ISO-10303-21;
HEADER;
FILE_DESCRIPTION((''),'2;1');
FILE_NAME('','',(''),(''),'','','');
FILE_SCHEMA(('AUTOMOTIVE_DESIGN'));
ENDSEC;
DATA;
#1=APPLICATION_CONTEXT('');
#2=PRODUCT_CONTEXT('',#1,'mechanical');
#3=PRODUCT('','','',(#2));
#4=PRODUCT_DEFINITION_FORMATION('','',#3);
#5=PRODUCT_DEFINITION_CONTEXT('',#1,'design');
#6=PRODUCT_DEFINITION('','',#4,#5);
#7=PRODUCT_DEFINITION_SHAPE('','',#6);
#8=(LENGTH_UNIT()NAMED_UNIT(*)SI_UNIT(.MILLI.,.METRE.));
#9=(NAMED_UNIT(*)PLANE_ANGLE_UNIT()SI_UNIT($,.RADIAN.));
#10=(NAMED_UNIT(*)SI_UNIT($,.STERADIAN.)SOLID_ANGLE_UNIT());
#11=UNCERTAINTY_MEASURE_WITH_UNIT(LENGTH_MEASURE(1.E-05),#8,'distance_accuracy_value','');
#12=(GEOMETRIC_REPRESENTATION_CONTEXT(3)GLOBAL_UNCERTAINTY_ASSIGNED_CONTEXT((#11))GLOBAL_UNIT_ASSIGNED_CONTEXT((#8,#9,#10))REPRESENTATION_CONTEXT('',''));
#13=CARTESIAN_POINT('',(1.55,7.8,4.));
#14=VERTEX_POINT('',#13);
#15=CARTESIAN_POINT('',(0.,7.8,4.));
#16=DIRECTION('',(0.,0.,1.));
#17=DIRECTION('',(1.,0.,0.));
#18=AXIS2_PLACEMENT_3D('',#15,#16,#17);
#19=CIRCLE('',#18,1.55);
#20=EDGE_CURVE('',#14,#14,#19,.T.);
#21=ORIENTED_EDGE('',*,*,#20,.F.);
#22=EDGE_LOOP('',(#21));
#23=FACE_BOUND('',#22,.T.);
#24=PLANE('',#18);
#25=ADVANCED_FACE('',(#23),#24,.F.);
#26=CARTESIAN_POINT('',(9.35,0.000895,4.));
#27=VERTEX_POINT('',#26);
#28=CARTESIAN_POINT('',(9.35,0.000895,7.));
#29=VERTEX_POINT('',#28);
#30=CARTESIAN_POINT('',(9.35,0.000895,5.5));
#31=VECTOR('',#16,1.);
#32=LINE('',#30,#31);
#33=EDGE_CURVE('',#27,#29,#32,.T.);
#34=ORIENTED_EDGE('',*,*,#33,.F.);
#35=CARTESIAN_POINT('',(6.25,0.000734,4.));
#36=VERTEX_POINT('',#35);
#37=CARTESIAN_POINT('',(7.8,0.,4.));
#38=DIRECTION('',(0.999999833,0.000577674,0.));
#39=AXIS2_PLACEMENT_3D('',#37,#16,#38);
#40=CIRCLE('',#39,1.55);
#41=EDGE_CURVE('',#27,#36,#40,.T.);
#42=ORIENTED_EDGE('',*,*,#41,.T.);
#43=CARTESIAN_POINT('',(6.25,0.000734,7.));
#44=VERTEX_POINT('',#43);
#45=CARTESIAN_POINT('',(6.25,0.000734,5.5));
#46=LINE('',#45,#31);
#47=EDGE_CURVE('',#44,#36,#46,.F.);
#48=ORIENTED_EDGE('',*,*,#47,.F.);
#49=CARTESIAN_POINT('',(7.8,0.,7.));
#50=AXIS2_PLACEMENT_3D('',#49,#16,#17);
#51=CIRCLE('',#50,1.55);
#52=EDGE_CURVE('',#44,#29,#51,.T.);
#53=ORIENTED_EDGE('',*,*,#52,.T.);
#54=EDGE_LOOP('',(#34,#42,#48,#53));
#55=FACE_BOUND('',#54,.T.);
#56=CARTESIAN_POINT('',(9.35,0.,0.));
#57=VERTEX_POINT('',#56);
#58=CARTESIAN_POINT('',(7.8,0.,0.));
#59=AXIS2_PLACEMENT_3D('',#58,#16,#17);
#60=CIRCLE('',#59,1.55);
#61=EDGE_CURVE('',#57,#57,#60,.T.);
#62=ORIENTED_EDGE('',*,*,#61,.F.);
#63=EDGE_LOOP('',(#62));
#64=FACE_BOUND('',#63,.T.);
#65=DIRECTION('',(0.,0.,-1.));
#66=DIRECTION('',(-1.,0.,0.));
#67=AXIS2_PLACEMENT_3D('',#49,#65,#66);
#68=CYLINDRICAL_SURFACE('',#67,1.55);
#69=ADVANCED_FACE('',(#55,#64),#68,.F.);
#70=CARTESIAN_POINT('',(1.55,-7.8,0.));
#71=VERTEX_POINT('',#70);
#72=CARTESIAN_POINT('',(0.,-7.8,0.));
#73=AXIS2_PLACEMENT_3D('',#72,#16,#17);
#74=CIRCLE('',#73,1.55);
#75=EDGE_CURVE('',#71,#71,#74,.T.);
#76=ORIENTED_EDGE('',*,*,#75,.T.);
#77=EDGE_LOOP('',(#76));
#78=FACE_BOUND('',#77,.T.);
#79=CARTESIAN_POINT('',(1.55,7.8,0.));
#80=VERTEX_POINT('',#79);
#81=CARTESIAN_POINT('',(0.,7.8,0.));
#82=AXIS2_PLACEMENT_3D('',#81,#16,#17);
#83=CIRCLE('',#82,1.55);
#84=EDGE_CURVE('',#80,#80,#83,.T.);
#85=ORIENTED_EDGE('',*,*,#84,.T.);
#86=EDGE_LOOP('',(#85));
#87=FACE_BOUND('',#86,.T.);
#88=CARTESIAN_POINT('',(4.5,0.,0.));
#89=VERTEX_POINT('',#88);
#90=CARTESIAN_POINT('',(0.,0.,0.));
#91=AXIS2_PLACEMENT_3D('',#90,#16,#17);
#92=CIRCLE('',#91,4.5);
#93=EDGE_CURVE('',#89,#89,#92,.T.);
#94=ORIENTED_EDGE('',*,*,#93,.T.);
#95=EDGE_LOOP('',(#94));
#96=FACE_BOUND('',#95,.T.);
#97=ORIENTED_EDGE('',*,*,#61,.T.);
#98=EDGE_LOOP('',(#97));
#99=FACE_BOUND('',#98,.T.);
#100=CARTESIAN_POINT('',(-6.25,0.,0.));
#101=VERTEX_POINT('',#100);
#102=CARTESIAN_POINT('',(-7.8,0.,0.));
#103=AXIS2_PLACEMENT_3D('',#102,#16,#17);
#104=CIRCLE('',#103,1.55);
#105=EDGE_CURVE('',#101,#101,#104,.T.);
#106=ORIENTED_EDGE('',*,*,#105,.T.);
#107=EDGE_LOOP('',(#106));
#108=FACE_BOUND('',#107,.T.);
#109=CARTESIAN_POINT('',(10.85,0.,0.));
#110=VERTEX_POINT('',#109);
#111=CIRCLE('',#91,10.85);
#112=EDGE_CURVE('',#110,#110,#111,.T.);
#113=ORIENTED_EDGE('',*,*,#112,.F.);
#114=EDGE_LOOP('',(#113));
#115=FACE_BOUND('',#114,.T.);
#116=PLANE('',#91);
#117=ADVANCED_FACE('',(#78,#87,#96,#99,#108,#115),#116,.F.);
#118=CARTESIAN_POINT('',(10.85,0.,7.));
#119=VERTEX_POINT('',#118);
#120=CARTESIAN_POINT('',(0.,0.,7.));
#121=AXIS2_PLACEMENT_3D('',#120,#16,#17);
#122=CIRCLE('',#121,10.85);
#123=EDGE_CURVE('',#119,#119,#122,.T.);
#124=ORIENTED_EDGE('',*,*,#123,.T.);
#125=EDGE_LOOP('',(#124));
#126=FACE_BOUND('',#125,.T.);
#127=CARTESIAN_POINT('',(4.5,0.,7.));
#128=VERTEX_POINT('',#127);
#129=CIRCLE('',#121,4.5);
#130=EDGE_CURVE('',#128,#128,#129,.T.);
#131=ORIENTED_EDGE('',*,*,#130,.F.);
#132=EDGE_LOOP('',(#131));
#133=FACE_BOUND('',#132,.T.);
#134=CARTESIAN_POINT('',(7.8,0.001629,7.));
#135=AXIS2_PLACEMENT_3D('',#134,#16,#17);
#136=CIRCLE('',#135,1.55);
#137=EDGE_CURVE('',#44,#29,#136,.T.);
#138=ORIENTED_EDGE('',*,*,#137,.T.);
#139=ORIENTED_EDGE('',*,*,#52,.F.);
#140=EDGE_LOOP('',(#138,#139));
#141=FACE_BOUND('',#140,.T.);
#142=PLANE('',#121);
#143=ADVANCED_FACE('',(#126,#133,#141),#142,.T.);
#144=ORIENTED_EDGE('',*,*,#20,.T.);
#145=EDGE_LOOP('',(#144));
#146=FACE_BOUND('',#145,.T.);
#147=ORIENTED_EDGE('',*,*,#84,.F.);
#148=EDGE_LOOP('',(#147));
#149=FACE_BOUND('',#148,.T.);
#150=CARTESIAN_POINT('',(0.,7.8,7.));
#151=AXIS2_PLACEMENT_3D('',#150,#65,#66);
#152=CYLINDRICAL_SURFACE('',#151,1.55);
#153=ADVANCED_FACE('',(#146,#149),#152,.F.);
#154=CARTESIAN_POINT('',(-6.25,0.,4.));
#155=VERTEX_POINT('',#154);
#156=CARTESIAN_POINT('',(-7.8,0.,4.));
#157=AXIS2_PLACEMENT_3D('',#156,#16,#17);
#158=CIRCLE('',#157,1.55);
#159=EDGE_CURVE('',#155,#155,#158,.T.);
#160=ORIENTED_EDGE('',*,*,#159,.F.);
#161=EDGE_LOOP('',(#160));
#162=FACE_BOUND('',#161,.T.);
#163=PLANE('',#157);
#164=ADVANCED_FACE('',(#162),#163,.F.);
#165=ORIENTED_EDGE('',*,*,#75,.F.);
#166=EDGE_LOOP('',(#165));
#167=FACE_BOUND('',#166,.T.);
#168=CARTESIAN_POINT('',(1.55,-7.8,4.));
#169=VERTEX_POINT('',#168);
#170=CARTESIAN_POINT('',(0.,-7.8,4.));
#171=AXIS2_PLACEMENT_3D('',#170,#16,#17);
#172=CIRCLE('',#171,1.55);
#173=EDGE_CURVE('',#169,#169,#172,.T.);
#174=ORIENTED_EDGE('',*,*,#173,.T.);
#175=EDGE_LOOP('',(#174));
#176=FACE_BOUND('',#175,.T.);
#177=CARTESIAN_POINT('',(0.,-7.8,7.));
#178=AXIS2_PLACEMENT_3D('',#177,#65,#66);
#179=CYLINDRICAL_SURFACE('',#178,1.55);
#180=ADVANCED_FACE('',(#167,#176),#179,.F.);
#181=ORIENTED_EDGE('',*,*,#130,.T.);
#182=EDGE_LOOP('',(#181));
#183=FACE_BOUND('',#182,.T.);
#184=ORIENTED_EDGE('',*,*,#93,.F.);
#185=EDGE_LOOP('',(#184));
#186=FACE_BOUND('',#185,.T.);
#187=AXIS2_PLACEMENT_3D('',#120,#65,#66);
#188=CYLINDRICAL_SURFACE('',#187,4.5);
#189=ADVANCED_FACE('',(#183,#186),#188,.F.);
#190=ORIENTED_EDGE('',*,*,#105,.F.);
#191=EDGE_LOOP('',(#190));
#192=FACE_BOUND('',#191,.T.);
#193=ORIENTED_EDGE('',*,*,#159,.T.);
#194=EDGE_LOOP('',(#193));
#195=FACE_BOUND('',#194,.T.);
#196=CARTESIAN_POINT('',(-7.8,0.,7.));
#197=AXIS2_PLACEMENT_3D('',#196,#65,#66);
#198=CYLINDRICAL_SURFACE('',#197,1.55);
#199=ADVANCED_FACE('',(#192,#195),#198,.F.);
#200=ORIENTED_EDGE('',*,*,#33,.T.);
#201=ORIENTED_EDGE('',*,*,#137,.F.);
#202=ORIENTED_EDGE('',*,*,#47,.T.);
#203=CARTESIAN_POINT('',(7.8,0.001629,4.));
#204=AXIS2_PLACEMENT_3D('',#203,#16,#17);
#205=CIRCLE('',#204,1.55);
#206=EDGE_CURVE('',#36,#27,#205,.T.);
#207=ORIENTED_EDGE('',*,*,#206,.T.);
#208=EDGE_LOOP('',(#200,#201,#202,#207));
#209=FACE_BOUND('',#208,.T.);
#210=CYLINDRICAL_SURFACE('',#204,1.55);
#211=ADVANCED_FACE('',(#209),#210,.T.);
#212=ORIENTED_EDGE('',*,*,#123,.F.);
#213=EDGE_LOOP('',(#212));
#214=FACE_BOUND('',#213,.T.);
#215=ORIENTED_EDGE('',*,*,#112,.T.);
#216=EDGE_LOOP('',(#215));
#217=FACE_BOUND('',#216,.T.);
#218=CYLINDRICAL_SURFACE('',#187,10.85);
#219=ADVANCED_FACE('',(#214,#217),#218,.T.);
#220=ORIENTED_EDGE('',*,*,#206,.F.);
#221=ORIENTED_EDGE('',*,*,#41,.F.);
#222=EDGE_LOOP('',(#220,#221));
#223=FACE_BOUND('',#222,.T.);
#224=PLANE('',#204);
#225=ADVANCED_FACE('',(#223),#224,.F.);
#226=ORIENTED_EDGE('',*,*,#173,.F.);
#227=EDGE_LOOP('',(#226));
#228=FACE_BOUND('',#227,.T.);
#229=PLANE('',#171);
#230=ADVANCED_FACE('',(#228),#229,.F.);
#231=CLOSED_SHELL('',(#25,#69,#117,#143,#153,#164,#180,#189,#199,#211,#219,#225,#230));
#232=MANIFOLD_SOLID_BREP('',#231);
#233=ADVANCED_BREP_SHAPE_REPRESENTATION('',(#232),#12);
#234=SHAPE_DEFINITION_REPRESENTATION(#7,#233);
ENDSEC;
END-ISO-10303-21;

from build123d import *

# Parameters (mm, degrees)
SKETCH1_R           = 10.85
SKETCH1_R_2         = 4.5
SKETCH1_R_3         = 1.55
BOSS_EXTRUDE1_DEPTH = 7
SKETCH2_R           = 1.55
BOSS_EXTRUDE2_DEPTH = 3


with BuildPart() as part:
    # Sketch1 → Boss-Extrude1 (new body)
    with BuildSketch(Plane.XY):
        Circle(SKETCH1_R)
        Circle(SKETCH1_R_2, mode=Mode.SUBTRACT)
        with Locations((-7.8, 0)):
            Circle(SKETCH1_R_3, mode=Mode.SUBTRACT)
        with Locations((0, 7.8)):
            Circle(SKETCH1_R_3, mode=Mode.SUBTRACT)
        with Locations((7.8, 0)):
            Circle(SKETCH1_R_3, mode=Mode.SUBTRACT)
        with Locations((0, -7.8)):
            Circle(SKETCH1_R_3, mode=Mode.SUBTRACT)
    extrude(amount=BOSS_EXTRUDE1_DEPTH)

    # Sketch2 → Boss-Extrude2 (add)
    with BuildSketch(Plane.XY.offset(7)):
        with Locations((0, 7.8)):
            Circle(SKETCH2_R)
        with Locations((-7.8, 0)):
            Circle(SKETCH2_R)
        with Locations((0, -7.8)):
            Circle(SKETCH2_R)
        with Locations((7.799999915, 0.00162894)):
            Circle(SKETCH2_R)
    extrude(amount=-BOSS_EXTRUDE2_DEPTH)


solid = part.part
